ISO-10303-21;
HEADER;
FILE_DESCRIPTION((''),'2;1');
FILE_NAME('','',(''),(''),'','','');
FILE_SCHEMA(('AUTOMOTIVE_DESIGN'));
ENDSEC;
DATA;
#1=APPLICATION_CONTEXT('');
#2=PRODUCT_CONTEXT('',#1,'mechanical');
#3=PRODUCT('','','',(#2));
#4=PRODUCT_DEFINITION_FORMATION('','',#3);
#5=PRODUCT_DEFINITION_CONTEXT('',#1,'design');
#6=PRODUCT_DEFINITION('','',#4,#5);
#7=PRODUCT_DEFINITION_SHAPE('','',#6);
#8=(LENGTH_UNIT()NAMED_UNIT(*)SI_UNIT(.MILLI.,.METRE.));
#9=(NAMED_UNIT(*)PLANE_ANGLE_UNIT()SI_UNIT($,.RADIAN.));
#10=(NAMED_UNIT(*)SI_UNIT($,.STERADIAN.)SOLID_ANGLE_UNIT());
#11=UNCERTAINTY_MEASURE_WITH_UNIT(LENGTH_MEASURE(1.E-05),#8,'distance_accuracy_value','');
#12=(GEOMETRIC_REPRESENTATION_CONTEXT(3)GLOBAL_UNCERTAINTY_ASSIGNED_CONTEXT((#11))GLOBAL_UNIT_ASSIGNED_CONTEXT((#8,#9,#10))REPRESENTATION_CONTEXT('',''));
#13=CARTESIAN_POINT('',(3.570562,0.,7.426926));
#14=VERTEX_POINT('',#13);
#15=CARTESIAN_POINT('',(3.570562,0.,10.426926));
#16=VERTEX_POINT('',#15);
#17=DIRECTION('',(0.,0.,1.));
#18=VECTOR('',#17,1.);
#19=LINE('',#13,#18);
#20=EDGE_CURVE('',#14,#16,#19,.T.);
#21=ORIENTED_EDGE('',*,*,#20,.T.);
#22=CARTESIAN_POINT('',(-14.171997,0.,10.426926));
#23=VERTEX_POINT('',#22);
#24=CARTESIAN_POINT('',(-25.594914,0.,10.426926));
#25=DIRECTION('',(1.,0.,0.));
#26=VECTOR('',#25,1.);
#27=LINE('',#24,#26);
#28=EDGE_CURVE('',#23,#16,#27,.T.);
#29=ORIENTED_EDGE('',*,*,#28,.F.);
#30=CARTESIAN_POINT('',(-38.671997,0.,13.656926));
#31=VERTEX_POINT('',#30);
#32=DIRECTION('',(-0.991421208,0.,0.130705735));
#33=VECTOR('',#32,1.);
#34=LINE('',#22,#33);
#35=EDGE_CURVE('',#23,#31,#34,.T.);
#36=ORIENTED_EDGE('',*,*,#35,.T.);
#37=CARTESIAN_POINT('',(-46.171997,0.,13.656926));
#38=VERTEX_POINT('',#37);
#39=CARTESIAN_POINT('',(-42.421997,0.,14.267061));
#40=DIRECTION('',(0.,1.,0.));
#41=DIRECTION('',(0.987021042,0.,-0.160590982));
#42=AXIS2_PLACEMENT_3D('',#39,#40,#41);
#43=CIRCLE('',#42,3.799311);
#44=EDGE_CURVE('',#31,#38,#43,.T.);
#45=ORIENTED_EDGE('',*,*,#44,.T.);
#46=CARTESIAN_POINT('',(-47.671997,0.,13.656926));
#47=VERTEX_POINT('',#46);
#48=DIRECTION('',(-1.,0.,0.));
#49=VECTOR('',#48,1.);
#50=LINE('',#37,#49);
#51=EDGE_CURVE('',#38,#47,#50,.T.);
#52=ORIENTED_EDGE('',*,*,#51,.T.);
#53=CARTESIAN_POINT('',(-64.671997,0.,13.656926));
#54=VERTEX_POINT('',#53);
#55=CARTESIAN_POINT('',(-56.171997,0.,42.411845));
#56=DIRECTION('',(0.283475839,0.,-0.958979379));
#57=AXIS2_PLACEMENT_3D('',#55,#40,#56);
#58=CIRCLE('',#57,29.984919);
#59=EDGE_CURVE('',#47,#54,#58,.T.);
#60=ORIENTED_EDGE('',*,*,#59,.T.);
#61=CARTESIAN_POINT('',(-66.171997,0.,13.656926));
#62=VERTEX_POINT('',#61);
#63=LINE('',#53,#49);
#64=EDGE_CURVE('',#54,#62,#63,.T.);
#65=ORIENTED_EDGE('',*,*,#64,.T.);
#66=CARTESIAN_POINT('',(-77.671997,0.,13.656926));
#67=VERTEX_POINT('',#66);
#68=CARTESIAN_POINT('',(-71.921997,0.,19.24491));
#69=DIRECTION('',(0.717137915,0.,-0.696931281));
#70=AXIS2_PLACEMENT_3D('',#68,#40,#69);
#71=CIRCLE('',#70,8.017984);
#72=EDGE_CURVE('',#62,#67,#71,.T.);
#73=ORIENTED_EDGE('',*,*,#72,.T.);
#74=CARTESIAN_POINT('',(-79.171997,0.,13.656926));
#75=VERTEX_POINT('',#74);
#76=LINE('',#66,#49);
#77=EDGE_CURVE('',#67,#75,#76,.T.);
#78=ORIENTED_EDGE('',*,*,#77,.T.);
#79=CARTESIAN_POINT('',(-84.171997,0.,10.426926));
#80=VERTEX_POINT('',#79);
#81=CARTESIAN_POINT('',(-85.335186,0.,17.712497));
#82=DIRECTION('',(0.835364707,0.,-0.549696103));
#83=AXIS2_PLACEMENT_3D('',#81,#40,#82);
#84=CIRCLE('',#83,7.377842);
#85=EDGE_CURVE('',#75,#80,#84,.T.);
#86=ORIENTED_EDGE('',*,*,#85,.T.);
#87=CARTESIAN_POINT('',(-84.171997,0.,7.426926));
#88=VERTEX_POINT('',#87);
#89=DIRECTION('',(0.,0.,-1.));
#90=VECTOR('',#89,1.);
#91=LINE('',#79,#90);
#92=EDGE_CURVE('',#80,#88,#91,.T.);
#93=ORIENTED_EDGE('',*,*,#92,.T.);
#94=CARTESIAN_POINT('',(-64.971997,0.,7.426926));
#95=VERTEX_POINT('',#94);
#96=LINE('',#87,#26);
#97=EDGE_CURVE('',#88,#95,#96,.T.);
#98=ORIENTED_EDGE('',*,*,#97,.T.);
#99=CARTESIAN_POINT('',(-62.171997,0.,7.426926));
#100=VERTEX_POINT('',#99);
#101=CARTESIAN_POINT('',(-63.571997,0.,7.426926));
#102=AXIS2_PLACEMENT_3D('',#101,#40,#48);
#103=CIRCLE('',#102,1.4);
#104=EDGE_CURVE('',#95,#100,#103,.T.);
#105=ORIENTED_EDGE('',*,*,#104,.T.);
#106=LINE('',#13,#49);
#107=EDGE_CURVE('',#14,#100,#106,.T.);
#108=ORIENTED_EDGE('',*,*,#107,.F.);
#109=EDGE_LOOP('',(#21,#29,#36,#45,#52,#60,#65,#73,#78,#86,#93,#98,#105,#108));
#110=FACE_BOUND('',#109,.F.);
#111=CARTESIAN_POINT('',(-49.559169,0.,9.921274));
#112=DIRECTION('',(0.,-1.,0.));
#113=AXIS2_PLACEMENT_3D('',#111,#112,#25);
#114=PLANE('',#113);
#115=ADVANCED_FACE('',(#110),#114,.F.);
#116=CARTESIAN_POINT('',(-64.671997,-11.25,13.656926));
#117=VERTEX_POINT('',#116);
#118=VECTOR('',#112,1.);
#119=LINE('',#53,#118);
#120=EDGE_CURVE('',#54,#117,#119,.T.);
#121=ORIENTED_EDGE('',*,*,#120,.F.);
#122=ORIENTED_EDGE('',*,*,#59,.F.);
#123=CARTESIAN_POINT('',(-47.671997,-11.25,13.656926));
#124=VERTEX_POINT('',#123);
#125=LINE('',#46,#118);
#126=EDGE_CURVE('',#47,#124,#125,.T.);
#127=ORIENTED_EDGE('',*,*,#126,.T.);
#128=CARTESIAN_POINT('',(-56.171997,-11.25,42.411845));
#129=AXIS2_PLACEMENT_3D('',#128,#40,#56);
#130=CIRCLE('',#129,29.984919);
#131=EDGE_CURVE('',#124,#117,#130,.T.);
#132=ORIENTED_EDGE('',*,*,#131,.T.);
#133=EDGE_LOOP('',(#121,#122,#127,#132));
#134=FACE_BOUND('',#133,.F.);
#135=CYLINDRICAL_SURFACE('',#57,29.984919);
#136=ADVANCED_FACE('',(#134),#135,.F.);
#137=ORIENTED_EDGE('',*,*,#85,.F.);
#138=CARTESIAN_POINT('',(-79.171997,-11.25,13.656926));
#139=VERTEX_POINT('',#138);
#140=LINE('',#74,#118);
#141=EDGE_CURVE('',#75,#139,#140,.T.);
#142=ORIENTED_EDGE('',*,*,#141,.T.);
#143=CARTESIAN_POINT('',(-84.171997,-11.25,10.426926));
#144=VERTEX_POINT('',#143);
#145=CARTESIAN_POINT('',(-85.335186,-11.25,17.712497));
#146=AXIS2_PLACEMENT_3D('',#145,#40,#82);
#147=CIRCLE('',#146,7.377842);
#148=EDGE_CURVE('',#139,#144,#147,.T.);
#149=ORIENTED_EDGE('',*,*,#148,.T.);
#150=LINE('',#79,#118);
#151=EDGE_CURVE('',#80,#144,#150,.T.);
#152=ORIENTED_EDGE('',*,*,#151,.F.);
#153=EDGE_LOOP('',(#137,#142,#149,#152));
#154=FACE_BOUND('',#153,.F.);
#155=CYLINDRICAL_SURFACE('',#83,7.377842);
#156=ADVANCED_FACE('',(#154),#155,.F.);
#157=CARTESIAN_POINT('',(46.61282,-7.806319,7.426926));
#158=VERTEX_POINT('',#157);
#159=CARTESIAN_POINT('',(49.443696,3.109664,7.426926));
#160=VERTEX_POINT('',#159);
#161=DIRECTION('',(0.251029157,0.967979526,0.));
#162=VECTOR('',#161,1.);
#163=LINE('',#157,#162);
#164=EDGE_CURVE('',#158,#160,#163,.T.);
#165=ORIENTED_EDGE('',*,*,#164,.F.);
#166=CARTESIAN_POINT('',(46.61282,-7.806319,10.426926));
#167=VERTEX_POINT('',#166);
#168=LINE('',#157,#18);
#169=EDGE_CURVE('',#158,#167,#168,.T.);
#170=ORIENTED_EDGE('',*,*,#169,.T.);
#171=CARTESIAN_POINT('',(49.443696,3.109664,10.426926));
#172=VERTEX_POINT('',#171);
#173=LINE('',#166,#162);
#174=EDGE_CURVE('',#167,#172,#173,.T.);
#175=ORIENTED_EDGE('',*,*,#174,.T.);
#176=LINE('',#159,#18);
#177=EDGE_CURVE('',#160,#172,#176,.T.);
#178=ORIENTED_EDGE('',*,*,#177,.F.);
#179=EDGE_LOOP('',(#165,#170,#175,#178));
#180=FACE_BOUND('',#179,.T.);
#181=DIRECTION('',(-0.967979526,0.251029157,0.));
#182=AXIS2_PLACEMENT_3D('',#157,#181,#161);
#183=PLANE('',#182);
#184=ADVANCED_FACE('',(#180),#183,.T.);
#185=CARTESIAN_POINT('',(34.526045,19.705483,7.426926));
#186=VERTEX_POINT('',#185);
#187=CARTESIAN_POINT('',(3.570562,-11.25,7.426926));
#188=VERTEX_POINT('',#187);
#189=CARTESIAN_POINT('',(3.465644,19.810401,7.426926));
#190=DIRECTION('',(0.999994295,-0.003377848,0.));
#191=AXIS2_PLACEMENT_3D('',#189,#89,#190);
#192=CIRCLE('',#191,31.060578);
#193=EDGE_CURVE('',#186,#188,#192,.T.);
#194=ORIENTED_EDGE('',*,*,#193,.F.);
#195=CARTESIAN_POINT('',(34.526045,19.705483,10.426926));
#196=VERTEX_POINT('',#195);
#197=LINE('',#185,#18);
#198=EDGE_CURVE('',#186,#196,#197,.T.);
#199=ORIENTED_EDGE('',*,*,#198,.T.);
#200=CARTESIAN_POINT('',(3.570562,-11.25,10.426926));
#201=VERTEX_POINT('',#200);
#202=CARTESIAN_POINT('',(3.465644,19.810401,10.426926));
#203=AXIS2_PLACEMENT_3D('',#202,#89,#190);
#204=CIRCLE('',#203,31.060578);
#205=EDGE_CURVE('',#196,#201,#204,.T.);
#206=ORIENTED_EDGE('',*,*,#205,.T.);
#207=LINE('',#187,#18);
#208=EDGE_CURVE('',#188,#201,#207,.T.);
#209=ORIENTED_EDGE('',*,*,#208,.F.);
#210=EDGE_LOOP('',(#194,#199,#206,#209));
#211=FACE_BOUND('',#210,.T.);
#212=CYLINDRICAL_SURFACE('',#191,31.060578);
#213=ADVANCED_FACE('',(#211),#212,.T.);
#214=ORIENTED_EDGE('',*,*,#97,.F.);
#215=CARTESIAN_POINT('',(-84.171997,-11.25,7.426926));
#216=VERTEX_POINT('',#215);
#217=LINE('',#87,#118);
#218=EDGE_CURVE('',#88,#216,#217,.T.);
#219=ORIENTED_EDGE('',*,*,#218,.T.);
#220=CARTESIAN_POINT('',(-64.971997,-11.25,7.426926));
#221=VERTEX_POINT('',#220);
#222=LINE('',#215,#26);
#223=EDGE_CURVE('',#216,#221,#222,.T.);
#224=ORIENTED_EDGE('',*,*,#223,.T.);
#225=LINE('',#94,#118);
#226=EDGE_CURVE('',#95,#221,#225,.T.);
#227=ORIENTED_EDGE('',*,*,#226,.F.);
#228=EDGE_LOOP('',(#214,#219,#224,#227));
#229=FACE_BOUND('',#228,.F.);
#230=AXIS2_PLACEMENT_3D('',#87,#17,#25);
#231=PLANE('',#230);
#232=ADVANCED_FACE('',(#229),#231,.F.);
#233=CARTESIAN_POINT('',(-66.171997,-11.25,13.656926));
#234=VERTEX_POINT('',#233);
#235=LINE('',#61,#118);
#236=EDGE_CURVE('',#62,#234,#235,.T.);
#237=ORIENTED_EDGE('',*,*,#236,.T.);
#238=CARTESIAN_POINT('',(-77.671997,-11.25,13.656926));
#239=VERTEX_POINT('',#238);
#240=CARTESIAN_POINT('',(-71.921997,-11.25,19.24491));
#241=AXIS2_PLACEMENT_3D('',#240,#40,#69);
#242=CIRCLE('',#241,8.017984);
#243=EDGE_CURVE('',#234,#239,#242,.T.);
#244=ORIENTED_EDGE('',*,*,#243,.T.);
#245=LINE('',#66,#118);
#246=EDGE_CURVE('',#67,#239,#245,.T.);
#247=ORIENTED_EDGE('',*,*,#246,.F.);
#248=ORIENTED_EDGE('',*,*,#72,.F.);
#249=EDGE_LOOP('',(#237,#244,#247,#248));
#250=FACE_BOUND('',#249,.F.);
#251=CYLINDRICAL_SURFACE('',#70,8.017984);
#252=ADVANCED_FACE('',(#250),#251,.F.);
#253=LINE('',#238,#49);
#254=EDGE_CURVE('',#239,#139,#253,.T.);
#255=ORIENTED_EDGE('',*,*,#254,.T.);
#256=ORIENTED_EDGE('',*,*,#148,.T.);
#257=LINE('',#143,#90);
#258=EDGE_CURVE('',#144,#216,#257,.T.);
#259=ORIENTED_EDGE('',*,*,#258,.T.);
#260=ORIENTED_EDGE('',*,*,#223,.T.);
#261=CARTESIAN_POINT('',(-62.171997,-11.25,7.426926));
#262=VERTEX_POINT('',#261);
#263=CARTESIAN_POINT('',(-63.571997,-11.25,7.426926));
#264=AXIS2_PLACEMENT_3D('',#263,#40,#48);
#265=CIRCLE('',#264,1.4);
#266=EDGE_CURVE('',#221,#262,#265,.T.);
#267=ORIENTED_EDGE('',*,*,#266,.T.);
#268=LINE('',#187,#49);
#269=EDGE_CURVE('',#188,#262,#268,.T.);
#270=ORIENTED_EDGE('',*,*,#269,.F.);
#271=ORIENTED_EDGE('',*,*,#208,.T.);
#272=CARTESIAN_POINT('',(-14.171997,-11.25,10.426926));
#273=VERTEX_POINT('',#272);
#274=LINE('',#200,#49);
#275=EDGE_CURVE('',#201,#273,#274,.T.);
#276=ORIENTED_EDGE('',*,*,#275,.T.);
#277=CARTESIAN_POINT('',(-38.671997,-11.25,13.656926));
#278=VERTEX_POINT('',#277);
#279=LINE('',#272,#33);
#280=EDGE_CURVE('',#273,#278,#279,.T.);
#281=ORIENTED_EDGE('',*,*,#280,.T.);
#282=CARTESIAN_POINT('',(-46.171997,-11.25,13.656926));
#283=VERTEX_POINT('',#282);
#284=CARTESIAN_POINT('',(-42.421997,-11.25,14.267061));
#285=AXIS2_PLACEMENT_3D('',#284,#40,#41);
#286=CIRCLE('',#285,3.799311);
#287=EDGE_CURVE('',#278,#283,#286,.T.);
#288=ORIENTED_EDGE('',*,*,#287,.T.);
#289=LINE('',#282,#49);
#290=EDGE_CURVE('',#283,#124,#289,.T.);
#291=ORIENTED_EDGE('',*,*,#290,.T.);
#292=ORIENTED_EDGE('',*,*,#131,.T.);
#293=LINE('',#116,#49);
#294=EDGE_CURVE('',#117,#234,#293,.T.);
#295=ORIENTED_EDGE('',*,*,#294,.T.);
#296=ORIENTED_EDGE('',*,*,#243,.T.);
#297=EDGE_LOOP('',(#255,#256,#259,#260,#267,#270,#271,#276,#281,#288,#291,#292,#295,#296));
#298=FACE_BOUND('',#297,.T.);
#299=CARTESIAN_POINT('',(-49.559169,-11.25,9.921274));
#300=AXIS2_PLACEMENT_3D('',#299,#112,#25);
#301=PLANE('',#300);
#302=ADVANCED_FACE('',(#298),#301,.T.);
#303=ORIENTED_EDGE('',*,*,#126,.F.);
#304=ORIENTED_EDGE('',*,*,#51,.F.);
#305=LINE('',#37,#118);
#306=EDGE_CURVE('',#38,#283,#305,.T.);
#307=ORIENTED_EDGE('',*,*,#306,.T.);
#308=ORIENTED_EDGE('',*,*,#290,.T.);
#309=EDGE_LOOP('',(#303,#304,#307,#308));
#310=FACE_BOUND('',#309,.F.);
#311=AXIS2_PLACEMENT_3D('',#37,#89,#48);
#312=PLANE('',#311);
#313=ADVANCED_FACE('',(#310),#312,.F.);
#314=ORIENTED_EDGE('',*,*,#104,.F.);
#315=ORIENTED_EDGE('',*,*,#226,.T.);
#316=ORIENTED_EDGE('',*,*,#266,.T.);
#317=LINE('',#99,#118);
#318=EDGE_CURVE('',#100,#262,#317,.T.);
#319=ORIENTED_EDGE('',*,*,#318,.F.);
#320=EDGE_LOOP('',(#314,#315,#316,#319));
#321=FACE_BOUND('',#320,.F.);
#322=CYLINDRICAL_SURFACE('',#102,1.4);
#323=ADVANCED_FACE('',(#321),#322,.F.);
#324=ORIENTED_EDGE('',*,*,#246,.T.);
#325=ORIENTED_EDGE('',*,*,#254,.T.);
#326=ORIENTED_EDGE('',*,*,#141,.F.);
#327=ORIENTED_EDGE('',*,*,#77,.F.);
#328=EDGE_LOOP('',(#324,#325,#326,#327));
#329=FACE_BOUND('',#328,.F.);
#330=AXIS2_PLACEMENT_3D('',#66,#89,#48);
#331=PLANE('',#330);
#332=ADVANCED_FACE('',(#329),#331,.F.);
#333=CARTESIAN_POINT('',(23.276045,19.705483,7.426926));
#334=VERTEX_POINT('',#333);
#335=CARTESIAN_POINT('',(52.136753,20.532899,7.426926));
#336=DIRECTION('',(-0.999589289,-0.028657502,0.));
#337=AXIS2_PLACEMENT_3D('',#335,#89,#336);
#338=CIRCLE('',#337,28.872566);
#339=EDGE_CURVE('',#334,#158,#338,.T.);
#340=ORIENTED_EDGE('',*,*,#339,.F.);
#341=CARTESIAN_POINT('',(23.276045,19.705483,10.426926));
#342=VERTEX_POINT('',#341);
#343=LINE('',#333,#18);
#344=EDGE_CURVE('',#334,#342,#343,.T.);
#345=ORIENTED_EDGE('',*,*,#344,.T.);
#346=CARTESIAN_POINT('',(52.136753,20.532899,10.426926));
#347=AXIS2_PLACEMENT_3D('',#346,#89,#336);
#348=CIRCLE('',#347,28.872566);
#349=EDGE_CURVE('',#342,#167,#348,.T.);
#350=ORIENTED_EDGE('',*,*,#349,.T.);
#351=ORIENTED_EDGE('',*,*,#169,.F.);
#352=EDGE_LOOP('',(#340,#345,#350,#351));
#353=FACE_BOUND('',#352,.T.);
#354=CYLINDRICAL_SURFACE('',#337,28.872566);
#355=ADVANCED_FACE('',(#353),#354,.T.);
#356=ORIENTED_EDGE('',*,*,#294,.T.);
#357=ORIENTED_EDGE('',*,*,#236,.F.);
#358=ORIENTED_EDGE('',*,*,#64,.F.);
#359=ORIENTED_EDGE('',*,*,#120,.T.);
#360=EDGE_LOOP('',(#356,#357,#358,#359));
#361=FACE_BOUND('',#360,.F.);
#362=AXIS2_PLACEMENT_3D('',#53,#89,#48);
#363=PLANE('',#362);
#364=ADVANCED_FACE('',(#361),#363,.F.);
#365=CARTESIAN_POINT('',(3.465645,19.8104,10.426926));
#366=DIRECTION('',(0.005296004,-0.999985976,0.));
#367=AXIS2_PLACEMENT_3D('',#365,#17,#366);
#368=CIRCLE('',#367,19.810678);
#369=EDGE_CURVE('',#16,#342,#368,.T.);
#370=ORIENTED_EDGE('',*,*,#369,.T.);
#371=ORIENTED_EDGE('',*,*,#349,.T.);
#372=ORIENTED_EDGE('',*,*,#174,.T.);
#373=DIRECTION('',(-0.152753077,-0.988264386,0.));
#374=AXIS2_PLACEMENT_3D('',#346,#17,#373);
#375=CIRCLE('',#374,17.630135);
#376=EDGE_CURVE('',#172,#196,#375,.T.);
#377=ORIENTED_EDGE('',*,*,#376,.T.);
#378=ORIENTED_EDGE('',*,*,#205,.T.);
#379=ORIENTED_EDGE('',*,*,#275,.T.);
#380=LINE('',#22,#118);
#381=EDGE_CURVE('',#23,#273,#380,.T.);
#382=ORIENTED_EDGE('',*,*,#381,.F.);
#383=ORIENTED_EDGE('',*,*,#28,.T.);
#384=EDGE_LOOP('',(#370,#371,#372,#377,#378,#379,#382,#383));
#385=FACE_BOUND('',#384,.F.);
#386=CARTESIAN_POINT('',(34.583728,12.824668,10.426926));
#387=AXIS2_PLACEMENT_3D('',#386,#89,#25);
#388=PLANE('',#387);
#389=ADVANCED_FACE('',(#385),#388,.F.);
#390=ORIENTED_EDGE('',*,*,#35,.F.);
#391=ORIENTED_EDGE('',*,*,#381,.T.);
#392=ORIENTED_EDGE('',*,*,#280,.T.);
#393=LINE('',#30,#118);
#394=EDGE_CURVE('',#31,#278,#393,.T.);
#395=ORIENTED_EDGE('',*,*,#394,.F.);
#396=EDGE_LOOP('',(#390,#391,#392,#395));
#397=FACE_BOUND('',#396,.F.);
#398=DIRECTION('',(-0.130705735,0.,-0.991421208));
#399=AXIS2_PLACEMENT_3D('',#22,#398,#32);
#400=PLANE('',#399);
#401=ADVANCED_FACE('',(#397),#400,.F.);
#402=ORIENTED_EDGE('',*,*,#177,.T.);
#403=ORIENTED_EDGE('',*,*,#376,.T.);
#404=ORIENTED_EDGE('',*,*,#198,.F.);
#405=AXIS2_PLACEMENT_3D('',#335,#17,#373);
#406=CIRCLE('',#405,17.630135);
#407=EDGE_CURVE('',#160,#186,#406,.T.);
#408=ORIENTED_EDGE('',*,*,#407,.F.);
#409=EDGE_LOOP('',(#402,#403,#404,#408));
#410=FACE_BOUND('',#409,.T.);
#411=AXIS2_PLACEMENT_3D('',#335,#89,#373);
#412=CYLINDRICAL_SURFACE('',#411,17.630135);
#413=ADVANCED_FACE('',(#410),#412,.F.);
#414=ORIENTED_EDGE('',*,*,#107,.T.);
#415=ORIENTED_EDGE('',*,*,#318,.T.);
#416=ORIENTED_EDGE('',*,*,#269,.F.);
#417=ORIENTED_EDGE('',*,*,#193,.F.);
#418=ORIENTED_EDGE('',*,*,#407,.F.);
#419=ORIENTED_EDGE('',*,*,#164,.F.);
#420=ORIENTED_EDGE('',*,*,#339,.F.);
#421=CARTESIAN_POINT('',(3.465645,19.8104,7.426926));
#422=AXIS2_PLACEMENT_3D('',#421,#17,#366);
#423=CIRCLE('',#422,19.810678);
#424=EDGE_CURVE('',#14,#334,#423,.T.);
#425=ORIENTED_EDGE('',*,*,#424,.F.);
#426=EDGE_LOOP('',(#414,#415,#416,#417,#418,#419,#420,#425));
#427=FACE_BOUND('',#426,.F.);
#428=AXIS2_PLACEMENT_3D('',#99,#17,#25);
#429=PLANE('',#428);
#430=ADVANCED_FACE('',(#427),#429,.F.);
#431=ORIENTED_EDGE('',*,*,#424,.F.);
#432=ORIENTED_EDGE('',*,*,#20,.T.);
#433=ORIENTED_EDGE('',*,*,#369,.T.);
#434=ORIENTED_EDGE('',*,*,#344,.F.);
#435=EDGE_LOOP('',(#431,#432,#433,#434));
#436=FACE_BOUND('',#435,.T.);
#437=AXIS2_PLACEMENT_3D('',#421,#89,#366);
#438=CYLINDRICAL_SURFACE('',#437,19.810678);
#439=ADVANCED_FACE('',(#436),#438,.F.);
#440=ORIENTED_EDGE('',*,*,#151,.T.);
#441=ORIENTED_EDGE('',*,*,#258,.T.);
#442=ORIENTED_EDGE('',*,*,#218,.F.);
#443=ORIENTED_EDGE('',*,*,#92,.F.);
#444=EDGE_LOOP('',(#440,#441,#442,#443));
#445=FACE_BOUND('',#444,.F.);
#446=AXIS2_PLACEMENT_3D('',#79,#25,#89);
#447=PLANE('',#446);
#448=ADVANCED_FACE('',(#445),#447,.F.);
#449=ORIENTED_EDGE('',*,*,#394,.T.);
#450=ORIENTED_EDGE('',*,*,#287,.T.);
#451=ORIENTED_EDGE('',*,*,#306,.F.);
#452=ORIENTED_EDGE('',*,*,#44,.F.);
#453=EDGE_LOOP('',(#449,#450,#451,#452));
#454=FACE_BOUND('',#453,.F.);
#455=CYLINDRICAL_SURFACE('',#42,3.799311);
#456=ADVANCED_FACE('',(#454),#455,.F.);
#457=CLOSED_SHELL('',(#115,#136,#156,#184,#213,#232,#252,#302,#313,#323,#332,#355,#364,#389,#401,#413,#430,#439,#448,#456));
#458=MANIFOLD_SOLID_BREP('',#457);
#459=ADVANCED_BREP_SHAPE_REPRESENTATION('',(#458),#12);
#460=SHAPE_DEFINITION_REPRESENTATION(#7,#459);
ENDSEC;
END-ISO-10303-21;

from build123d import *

# Parameters (mm, degrees)
F1_DEPTH = 11.25
F3_DEPTH = 3


with BuildPart() as f1:
    # F0 (on Front) → F1 (new body)
    with BuildSketch(Plane.XZ):
        with BuildLine():
            ThreePointArc((-79.171997, 13.656926), (-81.33179, 11.51529), (-84.171997, 10.426926))
            Line((-84.171997, 10.426926), (-84.171997, 7.426926))
            Line((-84.171997, 7.426926), (-64.971997, 7.426926))
            ThreePointArc((-64.971997, 7.426926), (-63.571997, 8.826926), (-62.171997, 7.426926))
            Line((-62.171997, 7.426926), (-14.171997, 7.426926))
            Line((-14.171997, 7.426926), (-14.171997, 10.426926))
            Line((-14.171997, 10.426926), (-38.671997, 13.656926))
            ThreePointArc((-38.671997, 13.656926), (-42.421997, 10.46775), (-46.171997, 13.656926))
            Line((-46.171997, 13.656926), (-47.671997, 13.656926))
            ThreePointArc((-47.671997, 13.656926), (-56.171997, 12.426926), (-64.671997, 13.656926))
            Line((-64.671997, 13.656926), (-66.171997, 13.656926))
            ThreePointArc((-66.171997, 13.656926), (-71.921997, 11.226926), (-77.671997, 13.656926))
            Line((-77.671997, 13.656926), (-79.171997, 13.656926))
        make_face()
    extrude(amount=F1_DEPTH)

    # F2 (on face) → F3 (join)
    with BuildSketch(Plane(origin=(0, 0, 7.426926), x_dir=(1, 0, 0), z_dir=(0, 0, -1))):
        with BuildLine():
            Line((-25.594914, 11.25), (-25.594914, 0))
            Line((-25.594914, 0), (3.570562, 0))
            ThreePointArc((3.570562, 0), (17.47391, -5.802136), (23.276045, -19.705483))
            ThreePointArc((23.276045, -19.705483), (74.154944, -39.209739), (46.61282, 7.806319))
            Line((46.61282, 7.806319), (49.443696, -3.109664))
            ThreePointArc((49.443696, -3.109664), (65.248429, -32.318722), (34.526045, -19.705483))
            ThreePointArc((34.526045, -19.705483), (25.42879, 2.152744), (3.570562, 11.25))
            Line((3.570562, 11.25), (-25.594914, 11.25))
        make_face()
    extrude(amount=-F3_DEPTH)


solid = f1.part
